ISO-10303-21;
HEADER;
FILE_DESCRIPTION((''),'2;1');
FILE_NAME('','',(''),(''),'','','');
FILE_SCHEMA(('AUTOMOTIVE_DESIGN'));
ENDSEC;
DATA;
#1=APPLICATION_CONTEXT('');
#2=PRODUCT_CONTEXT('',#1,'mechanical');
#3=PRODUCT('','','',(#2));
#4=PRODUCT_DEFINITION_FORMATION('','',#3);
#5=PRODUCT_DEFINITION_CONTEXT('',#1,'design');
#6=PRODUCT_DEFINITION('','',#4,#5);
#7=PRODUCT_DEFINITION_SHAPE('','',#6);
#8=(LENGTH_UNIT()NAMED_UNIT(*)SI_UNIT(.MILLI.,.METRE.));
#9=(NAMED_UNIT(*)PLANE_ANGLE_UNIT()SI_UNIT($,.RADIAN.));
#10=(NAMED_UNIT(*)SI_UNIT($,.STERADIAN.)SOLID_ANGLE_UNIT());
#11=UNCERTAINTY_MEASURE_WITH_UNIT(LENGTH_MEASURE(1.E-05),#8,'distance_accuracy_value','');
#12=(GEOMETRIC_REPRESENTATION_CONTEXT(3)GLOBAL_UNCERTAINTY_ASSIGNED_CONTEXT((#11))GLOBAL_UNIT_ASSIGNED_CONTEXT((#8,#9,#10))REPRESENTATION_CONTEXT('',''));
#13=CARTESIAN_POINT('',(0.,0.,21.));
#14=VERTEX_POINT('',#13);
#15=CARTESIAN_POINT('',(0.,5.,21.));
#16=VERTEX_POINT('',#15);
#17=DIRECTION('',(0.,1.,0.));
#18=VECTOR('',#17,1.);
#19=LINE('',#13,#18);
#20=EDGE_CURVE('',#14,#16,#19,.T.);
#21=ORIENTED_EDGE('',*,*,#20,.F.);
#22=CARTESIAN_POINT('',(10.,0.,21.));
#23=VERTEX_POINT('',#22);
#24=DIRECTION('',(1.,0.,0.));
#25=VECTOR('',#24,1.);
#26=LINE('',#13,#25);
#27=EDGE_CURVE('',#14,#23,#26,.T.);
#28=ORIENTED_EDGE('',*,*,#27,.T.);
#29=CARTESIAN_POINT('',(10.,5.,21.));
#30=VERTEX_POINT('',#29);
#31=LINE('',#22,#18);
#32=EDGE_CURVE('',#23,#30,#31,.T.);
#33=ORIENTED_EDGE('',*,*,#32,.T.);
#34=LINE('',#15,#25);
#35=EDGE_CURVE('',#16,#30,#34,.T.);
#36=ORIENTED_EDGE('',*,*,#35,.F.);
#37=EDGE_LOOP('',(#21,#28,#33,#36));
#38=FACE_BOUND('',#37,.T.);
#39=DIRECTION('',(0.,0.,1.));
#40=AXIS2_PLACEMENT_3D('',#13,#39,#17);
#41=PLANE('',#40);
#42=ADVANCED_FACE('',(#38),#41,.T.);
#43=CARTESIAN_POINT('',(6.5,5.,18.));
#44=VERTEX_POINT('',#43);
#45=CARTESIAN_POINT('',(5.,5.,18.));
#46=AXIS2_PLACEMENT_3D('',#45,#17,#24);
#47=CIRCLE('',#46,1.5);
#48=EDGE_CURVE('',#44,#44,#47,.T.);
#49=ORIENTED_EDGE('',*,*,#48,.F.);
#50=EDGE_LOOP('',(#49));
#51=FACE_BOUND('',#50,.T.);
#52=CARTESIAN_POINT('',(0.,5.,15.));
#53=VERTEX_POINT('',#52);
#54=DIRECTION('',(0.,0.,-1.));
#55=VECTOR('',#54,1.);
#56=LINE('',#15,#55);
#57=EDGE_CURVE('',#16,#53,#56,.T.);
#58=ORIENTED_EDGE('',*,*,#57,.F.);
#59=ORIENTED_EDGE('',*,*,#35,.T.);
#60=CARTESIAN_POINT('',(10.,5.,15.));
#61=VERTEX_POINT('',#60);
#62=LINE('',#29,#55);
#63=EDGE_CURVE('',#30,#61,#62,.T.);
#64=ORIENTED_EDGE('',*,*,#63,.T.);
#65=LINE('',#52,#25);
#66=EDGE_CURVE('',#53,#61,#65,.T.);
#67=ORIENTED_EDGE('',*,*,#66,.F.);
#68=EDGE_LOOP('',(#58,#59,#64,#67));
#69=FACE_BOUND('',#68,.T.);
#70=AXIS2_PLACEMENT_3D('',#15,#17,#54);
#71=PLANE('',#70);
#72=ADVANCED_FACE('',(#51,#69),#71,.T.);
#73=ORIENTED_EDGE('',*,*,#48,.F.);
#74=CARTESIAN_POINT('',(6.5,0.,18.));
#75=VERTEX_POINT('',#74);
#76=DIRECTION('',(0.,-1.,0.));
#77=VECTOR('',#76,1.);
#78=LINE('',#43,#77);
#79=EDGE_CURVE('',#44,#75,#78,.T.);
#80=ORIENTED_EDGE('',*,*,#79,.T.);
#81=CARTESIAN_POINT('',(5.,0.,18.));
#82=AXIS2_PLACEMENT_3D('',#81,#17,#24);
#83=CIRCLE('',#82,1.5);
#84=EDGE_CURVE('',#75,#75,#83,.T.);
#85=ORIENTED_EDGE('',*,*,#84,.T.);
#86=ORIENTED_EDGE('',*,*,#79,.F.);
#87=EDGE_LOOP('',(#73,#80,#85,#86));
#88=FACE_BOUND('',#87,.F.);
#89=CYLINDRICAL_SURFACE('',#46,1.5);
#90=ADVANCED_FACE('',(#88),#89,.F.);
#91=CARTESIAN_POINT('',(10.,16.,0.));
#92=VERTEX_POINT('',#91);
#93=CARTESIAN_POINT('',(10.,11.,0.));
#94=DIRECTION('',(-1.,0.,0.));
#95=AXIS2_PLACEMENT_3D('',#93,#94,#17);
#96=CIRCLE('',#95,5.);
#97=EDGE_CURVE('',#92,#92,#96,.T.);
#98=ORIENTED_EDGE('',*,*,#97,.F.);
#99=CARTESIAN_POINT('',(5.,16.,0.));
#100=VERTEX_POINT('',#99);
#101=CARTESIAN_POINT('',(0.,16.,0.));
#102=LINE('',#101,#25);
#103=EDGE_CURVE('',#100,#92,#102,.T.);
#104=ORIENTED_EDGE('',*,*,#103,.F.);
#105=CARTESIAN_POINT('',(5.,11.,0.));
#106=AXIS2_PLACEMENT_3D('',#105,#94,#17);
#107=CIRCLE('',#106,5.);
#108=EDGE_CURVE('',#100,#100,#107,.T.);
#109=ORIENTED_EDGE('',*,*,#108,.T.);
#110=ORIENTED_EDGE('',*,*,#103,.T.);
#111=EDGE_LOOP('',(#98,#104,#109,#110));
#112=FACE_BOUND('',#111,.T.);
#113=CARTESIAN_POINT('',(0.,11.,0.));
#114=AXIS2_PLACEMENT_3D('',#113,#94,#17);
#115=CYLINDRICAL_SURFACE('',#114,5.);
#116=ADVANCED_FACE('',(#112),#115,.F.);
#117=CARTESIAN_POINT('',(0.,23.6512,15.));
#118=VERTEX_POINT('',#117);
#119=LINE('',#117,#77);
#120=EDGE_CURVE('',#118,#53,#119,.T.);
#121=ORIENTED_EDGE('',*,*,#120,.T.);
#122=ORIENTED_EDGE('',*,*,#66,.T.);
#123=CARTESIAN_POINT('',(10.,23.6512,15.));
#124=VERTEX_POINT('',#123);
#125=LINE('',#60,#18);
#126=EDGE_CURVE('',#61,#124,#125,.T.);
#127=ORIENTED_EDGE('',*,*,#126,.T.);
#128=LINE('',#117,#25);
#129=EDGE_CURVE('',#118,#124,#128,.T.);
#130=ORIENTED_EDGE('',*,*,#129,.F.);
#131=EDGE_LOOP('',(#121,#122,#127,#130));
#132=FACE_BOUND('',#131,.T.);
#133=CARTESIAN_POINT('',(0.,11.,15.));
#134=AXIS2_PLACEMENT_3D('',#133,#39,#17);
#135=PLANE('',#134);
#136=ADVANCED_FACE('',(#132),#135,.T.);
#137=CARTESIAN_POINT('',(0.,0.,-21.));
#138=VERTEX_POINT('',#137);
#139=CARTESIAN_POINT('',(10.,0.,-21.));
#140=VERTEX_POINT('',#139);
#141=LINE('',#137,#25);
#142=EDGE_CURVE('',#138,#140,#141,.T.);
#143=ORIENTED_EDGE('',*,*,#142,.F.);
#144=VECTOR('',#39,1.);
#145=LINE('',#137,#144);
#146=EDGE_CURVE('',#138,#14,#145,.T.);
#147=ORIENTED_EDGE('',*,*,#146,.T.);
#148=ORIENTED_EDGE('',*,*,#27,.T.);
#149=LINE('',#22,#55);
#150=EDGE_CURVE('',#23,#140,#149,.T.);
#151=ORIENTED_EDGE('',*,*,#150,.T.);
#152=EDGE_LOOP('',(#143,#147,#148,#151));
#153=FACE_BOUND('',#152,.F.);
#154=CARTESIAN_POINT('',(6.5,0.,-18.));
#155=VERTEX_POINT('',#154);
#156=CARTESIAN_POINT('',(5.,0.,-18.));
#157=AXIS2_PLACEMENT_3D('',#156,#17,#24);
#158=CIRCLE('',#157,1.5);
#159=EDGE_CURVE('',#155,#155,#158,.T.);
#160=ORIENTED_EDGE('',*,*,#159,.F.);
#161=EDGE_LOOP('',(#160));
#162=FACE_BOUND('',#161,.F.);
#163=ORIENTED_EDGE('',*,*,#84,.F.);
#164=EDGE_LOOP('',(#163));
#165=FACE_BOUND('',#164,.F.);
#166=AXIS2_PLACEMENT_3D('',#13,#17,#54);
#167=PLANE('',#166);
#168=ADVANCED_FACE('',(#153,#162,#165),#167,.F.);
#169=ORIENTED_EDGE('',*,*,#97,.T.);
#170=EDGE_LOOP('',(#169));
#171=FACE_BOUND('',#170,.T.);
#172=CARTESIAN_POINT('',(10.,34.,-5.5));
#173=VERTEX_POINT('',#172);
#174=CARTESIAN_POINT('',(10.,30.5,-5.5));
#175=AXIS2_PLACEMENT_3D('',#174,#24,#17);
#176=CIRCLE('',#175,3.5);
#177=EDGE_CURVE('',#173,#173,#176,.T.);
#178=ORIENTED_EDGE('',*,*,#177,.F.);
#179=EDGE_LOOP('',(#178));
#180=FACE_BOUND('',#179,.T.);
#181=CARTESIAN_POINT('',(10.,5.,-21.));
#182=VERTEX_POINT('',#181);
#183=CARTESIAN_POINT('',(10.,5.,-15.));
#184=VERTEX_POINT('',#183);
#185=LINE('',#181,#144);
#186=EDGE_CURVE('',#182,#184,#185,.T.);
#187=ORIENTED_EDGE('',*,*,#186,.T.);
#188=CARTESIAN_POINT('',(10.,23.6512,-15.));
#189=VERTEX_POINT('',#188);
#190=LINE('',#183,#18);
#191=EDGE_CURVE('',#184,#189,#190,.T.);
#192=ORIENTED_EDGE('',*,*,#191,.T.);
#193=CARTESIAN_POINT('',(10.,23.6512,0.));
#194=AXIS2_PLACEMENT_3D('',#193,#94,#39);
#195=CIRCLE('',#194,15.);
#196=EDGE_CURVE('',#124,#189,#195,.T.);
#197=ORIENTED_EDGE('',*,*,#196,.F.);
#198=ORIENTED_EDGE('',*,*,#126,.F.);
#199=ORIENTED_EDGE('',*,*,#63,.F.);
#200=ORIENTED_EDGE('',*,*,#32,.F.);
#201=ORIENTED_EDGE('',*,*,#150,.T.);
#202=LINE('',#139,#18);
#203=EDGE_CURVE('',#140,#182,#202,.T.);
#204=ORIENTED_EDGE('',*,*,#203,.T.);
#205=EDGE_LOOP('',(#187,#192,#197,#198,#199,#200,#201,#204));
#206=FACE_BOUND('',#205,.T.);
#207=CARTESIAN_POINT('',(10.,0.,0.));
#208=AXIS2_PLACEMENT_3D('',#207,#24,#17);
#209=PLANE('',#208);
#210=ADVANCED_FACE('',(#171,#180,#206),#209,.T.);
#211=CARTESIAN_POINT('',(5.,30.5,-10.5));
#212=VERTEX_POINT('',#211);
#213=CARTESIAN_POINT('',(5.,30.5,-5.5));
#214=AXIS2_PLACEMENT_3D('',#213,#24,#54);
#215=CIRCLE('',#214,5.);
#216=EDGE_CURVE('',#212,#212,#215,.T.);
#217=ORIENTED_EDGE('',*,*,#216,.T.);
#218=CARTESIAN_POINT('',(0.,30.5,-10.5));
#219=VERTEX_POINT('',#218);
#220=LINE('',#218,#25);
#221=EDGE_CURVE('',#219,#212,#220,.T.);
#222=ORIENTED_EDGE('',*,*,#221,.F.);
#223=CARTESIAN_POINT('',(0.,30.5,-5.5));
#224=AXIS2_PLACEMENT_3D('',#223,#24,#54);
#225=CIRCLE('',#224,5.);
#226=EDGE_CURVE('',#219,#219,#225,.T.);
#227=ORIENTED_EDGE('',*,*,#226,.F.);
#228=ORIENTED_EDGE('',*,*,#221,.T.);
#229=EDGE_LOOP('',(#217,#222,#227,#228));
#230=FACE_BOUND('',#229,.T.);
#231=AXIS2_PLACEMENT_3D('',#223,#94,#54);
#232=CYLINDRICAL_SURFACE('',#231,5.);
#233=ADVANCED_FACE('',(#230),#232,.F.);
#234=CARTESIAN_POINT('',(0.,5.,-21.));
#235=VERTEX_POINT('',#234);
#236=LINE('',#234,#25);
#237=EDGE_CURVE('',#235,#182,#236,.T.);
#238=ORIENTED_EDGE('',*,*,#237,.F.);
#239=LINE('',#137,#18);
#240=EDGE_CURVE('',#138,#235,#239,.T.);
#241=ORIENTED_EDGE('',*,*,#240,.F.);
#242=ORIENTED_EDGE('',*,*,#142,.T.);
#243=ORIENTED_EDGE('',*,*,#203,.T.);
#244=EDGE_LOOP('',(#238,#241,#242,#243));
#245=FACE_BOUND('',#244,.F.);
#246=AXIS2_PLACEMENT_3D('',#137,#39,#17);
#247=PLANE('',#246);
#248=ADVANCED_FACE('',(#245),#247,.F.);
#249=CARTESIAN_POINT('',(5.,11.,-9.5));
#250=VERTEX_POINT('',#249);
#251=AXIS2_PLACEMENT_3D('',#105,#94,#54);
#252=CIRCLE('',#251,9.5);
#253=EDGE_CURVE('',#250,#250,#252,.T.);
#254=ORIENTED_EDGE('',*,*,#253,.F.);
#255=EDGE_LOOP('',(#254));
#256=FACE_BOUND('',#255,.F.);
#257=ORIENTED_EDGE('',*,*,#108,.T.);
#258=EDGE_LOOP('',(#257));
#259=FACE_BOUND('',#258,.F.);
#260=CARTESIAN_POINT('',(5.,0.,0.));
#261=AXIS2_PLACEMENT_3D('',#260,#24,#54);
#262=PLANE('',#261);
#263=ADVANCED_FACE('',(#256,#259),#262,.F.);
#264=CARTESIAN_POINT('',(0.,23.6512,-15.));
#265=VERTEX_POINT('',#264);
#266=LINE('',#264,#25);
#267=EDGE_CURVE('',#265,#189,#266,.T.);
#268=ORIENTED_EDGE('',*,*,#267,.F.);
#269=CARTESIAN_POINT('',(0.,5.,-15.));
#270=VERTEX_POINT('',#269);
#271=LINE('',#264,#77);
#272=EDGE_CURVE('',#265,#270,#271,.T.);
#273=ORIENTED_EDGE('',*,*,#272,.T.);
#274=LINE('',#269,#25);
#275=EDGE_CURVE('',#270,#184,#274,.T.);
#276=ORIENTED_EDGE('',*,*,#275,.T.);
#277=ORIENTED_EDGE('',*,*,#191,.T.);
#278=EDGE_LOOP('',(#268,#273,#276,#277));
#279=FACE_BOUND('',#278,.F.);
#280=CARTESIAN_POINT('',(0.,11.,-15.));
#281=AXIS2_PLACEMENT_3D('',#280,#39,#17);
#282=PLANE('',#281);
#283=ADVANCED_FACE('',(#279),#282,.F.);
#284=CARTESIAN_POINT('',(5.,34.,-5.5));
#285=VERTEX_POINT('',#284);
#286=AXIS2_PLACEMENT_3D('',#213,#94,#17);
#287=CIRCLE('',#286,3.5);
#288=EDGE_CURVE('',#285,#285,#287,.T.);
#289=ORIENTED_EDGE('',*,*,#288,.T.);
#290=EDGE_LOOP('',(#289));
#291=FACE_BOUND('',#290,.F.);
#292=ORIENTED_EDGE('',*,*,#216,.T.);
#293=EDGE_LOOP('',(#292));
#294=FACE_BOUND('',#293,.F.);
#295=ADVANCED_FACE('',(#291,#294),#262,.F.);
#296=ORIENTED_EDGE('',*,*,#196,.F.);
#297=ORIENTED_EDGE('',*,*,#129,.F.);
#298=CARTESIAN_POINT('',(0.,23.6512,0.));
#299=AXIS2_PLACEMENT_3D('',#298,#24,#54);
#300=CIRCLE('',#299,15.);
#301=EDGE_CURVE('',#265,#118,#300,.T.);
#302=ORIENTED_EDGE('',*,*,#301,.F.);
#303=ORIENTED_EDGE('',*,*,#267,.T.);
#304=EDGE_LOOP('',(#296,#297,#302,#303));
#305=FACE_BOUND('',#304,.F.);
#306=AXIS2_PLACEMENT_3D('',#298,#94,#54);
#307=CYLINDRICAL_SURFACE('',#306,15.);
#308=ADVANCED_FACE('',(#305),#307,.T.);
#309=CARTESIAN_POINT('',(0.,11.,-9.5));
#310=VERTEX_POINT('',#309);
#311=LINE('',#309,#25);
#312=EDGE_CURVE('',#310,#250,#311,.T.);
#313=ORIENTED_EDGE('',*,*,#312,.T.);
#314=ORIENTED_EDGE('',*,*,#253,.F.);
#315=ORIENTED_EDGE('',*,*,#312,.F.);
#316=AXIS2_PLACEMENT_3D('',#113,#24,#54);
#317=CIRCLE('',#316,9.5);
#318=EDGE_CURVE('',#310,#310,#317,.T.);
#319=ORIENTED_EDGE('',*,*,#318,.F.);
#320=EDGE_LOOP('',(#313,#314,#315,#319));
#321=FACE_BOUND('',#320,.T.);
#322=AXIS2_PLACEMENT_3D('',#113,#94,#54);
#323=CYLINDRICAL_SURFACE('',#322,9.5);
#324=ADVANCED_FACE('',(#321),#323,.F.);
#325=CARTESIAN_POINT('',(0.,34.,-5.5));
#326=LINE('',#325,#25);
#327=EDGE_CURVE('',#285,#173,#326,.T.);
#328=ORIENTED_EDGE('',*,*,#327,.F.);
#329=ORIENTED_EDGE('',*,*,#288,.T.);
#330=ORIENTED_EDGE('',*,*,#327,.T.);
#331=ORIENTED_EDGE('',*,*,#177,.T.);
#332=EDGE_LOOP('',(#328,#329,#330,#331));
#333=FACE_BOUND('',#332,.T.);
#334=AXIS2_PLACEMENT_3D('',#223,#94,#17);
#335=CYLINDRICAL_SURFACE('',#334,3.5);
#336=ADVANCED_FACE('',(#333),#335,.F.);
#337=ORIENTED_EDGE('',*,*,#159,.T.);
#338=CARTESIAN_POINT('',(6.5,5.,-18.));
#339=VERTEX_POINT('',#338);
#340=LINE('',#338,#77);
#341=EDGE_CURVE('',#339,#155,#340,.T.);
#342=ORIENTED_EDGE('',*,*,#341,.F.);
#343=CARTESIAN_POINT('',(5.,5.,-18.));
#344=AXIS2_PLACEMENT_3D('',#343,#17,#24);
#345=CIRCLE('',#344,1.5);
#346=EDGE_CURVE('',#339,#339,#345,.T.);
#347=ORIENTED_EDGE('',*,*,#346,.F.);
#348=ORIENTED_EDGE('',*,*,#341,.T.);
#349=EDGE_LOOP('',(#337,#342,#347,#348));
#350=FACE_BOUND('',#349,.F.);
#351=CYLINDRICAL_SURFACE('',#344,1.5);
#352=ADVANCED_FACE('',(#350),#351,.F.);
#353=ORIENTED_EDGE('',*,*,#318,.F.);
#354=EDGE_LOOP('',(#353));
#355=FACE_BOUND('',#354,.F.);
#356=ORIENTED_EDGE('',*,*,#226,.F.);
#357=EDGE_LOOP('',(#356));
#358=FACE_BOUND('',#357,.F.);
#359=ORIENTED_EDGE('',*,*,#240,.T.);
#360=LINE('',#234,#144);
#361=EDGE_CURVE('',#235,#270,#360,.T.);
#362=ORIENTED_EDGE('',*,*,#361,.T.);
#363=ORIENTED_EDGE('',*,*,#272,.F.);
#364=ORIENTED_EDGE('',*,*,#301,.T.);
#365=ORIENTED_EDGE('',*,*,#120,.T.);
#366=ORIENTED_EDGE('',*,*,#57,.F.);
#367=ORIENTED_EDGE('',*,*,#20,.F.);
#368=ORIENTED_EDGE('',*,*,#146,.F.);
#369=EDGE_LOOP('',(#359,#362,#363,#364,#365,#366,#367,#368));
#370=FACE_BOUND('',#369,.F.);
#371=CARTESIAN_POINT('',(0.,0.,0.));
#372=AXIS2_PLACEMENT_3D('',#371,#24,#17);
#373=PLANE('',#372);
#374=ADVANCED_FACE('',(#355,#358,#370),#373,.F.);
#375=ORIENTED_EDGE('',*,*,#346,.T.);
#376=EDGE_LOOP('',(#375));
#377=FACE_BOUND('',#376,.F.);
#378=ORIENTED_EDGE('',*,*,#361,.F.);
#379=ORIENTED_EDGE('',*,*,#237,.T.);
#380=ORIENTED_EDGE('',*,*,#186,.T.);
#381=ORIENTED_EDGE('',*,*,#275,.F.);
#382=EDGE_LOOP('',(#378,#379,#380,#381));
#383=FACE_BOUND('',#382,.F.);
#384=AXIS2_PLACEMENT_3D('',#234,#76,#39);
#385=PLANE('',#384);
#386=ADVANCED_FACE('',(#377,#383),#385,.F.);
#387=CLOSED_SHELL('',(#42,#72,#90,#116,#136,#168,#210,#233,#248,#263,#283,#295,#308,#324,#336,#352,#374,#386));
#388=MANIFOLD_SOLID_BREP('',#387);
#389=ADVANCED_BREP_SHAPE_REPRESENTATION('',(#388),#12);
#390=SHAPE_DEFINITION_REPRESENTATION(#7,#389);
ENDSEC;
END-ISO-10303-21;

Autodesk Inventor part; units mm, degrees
sketch "Sketch1" plane through (0, 0, 0) normal (1, 0, 0) x (0, 1, 0)
  circle A0 centre (30.5, -5.5) radius 3.5
  line L0 (11, 15) -> (5, 15)
  line L1 (5, -15) -> (11, -15)
  line L2 (0, -21) -> (5, -21)
  line L3 (5, -21) -> (5, -15)
  line L4 (0, 21) -> (5, 21)
  line L5 (5, 21) -> (5, 15)
  line L6 (-7.7302, 0) -> (46.3815, 0) projected
  line L7 (0, 29.4) -> (0, -29.4) projected
  line L8 (0, 21) -> (0, -21)
  line L9 (11, -15) -> (23.6512, -15)
  line L10 (11, 15) -> (23.6512, 15)
  arc A1 (23.6512, -15) -> (23.6512, 15) centre (23.6512, 0) ccw
  circle A2 centre (11, 0) radius 5
  point P0 (2.5, -21)
  dimension "d7" = 7
  dimension "d45" = 21
  dimension "d64" = 5
  dimension "d65" = 21
  dimension "d66" = 5
  dimension "d67" = 15
  dimension "d69" = 5.5
  dimension "d73" = 0
  dimension "d74" = 30.5
  dimension "d75" = 10
  dimension "d76" = 0
  dimension "d77" = 11
  dimension "d78" = 15
  dimension "d79" = 15
  dimension "d80" = 23.6512
extrude "Extrusion1" add sketch "Sketch1" along normal blind 10 contours L10 A1 L6 A2 L7 L4 L5 L0 | A1 L9 L1 L3 L2 L7 L6 A2
sketch "Sketch4" plane through (10, 0, 0) normal (1, 0, 0) x (0, 0, -1)
  circle A0 centre (0, 11) radius 9.5
  circle A1 centre (5.5, 30.5) radius 5
  line L0 (-29.4, 0) -> (29.4, 0) projected
  line L1 (0, -7.7302) -> (0, 46.3815) projected
  point P0 (0, 0)
  dimension "d56" = 19
  dimension "d57" = 10
  dimension "d58" = 11
  dimension "d59" = 0
  dimension "d60" = 30.5
  dimension "d61" = 5.5
extrude "Extrusion2" cut sketch "Sketch4" along normal blind 5 from surface at -10
sketch "Sketch6" plane through (0, 5, -15) normal (0, 1, 0) x (1, 0, 0)
  circle A0 centre (5, 3) radius 1.5
  line L0 (12, -15) -> (-2, -15) projected
  circle A1 centre (5, -33) radius 1.5
  line L1 (0, -30) -> (0, -36) projected
  line L2 (0, 6) -> (0, 0) projected
  point P0 (0, -15)
  point P1 (0, -33)
  point P2 (0, 3)
  dimension "d81" = 3
  dimension "d82" = 18
  dimension "d83" = 3
  dimension "d84" = 18
  dimension "d85" = 5
  dimension "d86" = 5
extrude "Extrusion3" cut sketch "Sketch6" against normal blind 5
